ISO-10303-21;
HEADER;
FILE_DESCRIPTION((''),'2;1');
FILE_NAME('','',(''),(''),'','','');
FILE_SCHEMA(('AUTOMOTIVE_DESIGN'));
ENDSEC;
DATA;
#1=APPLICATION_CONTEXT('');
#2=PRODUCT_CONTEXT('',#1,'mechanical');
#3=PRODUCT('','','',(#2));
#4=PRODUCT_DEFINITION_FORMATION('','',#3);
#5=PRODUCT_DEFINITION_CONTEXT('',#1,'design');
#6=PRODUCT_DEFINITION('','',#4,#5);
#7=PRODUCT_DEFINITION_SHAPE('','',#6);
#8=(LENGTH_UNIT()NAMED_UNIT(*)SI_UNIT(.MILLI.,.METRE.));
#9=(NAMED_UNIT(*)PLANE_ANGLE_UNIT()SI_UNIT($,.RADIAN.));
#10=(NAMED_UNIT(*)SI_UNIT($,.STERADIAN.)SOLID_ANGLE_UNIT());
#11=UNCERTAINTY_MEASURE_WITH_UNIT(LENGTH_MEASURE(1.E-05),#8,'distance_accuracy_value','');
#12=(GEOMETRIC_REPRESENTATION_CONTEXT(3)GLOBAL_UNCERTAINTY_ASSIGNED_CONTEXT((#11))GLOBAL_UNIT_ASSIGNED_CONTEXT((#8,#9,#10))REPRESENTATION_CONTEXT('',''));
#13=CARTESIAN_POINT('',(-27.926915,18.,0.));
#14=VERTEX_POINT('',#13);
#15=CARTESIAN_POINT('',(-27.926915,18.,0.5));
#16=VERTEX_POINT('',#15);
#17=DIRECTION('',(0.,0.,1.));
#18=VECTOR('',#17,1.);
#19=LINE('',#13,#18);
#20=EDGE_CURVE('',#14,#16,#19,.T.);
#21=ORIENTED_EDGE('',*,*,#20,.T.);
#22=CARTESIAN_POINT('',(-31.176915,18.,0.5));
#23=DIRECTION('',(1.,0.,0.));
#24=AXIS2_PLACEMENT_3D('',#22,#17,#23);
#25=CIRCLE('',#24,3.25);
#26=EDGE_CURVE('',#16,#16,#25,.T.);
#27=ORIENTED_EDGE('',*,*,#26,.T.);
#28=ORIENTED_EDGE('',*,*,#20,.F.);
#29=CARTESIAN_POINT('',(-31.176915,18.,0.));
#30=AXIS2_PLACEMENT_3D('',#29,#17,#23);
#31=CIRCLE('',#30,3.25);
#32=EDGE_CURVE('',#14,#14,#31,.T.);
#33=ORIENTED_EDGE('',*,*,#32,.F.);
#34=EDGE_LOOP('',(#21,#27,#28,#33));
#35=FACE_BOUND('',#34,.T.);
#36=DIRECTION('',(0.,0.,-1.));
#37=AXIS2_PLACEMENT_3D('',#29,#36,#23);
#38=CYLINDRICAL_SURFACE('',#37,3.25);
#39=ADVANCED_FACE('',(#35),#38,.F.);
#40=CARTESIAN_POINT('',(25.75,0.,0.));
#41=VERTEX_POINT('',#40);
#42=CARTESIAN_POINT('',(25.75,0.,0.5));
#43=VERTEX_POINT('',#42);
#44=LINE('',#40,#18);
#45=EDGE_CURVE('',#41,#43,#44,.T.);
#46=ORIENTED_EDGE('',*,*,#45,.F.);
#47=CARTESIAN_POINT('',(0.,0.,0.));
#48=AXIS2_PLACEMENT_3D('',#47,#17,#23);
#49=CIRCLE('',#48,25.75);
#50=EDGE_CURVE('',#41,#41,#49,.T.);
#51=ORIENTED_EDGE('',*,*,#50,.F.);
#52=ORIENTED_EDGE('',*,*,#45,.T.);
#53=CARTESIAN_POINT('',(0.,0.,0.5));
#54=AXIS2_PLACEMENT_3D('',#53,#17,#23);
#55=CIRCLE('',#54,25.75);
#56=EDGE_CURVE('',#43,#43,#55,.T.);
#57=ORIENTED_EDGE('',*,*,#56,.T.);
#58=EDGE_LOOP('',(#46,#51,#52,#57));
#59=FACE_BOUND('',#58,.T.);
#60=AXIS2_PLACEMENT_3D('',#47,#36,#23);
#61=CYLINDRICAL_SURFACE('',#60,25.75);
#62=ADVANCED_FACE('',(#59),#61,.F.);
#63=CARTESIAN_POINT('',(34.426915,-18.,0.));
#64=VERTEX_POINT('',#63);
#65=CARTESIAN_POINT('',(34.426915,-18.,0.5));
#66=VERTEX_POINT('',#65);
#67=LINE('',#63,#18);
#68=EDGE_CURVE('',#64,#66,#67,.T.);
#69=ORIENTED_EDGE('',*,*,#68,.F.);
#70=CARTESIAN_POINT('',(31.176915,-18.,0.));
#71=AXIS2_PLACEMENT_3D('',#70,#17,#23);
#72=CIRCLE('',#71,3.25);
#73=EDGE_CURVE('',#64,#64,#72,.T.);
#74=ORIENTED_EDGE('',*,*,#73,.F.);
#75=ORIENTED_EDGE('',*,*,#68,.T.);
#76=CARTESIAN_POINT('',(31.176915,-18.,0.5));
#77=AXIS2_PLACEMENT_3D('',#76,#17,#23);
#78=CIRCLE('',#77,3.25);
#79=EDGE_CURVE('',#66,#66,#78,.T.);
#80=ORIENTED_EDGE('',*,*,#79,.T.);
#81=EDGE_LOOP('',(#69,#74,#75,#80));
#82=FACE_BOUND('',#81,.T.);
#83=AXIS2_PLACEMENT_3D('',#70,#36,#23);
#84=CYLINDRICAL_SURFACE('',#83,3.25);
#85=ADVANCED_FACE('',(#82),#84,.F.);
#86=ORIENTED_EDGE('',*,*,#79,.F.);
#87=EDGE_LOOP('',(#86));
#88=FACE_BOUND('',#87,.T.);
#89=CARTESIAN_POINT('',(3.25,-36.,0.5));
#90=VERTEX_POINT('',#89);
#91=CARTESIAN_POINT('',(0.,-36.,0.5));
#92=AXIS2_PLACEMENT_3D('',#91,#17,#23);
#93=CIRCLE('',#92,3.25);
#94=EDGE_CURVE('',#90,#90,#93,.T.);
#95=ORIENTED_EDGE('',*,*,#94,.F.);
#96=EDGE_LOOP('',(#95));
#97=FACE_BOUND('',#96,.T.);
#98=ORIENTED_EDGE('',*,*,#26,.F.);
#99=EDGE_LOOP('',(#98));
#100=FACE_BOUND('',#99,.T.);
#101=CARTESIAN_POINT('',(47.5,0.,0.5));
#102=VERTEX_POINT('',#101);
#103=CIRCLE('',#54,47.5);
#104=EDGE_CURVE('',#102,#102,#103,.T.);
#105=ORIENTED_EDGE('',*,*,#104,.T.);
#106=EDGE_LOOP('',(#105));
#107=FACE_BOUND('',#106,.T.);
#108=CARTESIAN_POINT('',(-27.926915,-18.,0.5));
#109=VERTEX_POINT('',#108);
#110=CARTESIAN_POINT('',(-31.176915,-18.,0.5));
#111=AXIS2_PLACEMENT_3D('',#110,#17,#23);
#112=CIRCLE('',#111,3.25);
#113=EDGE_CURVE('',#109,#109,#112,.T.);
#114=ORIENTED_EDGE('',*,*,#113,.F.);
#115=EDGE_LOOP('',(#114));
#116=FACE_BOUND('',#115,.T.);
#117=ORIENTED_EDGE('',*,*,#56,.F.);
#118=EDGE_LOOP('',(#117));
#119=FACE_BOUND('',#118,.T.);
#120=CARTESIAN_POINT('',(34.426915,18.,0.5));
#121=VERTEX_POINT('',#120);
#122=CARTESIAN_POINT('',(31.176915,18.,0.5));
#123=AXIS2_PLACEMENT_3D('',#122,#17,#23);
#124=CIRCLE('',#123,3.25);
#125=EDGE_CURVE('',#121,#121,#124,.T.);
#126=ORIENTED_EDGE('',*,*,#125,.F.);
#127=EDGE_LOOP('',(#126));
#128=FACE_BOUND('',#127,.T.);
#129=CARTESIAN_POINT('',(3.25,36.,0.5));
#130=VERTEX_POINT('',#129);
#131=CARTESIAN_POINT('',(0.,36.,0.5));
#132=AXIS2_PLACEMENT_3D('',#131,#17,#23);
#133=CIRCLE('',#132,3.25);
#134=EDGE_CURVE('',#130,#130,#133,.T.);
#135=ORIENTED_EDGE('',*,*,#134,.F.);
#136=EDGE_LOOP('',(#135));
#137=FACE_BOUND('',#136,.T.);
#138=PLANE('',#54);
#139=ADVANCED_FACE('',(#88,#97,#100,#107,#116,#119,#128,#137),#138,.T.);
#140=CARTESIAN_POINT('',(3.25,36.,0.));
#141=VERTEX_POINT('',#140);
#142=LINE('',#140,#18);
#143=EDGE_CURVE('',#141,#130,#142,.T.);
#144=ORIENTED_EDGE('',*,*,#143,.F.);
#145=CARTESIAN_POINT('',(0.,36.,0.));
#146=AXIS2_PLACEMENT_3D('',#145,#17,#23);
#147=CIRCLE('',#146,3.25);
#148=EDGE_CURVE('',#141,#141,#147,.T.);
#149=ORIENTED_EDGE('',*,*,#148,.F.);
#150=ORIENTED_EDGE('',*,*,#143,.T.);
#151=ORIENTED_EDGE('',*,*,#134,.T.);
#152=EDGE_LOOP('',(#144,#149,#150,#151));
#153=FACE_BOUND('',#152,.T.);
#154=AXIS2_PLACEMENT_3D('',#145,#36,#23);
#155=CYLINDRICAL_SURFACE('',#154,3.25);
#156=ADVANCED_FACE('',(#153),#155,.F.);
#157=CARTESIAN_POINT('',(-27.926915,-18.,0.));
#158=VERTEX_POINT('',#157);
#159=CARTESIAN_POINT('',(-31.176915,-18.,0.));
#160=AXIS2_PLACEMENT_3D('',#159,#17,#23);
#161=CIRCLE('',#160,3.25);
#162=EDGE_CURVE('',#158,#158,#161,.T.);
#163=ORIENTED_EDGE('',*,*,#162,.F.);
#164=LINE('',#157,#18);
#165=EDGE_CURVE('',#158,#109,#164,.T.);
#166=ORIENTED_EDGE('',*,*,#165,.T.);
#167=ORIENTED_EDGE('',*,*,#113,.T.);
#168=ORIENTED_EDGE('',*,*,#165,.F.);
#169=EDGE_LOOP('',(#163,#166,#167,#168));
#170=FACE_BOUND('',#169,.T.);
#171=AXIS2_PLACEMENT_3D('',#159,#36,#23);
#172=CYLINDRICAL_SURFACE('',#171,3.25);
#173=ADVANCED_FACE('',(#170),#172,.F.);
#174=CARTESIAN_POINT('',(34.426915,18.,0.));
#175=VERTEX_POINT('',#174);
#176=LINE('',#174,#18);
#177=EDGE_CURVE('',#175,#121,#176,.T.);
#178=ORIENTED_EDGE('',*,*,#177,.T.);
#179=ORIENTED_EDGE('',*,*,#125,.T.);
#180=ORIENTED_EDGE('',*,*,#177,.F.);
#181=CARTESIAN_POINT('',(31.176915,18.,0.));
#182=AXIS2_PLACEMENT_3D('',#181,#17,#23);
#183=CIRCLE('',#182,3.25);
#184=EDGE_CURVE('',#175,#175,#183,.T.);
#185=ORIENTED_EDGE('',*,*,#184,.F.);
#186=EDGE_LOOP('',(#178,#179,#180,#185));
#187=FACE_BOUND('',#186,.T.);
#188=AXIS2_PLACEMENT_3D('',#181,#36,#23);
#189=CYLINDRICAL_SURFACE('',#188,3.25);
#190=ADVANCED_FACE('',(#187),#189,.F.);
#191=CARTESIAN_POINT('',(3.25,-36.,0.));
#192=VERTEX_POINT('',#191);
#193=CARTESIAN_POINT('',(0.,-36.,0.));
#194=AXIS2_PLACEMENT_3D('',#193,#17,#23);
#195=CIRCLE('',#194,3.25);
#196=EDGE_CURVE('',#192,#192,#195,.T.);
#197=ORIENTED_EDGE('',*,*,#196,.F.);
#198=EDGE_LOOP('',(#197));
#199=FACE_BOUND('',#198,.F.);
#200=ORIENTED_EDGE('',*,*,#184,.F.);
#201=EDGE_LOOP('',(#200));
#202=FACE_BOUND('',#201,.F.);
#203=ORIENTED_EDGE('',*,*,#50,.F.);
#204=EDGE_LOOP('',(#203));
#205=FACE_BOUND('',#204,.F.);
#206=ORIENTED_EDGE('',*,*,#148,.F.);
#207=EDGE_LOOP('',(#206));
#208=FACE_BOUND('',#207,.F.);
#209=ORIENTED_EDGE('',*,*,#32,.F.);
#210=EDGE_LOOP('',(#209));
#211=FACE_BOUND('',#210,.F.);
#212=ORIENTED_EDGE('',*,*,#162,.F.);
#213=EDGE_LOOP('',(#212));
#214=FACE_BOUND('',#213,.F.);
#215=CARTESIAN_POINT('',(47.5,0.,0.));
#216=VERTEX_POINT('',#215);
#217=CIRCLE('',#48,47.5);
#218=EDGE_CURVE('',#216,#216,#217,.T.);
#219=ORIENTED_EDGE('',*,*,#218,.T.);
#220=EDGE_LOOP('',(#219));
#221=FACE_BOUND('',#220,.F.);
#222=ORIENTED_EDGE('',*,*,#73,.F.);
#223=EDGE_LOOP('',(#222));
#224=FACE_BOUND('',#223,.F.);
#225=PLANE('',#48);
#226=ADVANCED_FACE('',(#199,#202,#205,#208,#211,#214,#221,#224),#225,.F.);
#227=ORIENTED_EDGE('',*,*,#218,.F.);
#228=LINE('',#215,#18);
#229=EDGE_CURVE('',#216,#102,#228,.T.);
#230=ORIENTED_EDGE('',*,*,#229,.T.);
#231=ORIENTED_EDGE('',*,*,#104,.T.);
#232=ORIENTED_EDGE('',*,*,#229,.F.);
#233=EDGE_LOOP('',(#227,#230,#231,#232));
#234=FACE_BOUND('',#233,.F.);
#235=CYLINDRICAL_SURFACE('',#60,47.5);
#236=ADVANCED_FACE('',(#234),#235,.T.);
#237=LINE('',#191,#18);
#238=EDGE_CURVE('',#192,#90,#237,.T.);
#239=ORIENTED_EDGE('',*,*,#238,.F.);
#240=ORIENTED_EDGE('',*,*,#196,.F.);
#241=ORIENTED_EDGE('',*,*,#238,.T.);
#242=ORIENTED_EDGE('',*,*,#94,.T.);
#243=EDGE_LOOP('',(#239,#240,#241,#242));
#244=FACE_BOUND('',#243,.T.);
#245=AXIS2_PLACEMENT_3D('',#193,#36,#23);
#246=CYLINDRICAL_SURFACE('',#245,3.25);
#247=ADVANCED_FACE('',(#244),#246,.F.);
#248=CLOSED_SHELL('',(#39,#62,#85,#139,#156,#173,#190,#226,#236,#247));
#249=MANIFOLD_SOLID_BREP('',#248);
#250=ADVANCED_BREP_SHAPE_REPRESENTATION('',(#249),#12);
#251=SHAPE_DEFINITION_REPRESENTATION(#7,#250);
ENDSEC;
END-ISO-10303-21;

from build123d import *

# Parameters (mm, degrees)
F0_R     = 47.5
F0_R_2   = 3.25
F0_R_3   = 25.75
F1_DEPTH = 0.5


with BuildPart() as f1:
    # F0 (on Top) → F1 (new body)
    with BuildSketch(Plane.XY):
        Circle(F0_R)
        with Locations((-31.176915, -18)):
            Circle(F0_R_2, mode=Mode.SUBTRACT)
        with Locations((0, -36)):
            Circle(F0_R_2, mode=Mode.SUBTRACT)
        with Locations((31.176915, -18)):
            Circle(F0_R_2, mode=Mode.SUBTRACT)
        with Locations((-31.176915, 18)):
            Circle(F0_R_2, mode=Mode.SUBTRACT)
        Circle(F0_R_3, mode=Mode.SUBTRACT)
        with Locations((31.176915, 18)):
            Circle(F0_R_2, mode=Mode.SUBTRACT)
        with Locations((0, 36)):
            Circle(F0_R_2, mode=Mode.SUBTRACT)
    extrude(amount=F1_DEPTH)


solid = f1.part
